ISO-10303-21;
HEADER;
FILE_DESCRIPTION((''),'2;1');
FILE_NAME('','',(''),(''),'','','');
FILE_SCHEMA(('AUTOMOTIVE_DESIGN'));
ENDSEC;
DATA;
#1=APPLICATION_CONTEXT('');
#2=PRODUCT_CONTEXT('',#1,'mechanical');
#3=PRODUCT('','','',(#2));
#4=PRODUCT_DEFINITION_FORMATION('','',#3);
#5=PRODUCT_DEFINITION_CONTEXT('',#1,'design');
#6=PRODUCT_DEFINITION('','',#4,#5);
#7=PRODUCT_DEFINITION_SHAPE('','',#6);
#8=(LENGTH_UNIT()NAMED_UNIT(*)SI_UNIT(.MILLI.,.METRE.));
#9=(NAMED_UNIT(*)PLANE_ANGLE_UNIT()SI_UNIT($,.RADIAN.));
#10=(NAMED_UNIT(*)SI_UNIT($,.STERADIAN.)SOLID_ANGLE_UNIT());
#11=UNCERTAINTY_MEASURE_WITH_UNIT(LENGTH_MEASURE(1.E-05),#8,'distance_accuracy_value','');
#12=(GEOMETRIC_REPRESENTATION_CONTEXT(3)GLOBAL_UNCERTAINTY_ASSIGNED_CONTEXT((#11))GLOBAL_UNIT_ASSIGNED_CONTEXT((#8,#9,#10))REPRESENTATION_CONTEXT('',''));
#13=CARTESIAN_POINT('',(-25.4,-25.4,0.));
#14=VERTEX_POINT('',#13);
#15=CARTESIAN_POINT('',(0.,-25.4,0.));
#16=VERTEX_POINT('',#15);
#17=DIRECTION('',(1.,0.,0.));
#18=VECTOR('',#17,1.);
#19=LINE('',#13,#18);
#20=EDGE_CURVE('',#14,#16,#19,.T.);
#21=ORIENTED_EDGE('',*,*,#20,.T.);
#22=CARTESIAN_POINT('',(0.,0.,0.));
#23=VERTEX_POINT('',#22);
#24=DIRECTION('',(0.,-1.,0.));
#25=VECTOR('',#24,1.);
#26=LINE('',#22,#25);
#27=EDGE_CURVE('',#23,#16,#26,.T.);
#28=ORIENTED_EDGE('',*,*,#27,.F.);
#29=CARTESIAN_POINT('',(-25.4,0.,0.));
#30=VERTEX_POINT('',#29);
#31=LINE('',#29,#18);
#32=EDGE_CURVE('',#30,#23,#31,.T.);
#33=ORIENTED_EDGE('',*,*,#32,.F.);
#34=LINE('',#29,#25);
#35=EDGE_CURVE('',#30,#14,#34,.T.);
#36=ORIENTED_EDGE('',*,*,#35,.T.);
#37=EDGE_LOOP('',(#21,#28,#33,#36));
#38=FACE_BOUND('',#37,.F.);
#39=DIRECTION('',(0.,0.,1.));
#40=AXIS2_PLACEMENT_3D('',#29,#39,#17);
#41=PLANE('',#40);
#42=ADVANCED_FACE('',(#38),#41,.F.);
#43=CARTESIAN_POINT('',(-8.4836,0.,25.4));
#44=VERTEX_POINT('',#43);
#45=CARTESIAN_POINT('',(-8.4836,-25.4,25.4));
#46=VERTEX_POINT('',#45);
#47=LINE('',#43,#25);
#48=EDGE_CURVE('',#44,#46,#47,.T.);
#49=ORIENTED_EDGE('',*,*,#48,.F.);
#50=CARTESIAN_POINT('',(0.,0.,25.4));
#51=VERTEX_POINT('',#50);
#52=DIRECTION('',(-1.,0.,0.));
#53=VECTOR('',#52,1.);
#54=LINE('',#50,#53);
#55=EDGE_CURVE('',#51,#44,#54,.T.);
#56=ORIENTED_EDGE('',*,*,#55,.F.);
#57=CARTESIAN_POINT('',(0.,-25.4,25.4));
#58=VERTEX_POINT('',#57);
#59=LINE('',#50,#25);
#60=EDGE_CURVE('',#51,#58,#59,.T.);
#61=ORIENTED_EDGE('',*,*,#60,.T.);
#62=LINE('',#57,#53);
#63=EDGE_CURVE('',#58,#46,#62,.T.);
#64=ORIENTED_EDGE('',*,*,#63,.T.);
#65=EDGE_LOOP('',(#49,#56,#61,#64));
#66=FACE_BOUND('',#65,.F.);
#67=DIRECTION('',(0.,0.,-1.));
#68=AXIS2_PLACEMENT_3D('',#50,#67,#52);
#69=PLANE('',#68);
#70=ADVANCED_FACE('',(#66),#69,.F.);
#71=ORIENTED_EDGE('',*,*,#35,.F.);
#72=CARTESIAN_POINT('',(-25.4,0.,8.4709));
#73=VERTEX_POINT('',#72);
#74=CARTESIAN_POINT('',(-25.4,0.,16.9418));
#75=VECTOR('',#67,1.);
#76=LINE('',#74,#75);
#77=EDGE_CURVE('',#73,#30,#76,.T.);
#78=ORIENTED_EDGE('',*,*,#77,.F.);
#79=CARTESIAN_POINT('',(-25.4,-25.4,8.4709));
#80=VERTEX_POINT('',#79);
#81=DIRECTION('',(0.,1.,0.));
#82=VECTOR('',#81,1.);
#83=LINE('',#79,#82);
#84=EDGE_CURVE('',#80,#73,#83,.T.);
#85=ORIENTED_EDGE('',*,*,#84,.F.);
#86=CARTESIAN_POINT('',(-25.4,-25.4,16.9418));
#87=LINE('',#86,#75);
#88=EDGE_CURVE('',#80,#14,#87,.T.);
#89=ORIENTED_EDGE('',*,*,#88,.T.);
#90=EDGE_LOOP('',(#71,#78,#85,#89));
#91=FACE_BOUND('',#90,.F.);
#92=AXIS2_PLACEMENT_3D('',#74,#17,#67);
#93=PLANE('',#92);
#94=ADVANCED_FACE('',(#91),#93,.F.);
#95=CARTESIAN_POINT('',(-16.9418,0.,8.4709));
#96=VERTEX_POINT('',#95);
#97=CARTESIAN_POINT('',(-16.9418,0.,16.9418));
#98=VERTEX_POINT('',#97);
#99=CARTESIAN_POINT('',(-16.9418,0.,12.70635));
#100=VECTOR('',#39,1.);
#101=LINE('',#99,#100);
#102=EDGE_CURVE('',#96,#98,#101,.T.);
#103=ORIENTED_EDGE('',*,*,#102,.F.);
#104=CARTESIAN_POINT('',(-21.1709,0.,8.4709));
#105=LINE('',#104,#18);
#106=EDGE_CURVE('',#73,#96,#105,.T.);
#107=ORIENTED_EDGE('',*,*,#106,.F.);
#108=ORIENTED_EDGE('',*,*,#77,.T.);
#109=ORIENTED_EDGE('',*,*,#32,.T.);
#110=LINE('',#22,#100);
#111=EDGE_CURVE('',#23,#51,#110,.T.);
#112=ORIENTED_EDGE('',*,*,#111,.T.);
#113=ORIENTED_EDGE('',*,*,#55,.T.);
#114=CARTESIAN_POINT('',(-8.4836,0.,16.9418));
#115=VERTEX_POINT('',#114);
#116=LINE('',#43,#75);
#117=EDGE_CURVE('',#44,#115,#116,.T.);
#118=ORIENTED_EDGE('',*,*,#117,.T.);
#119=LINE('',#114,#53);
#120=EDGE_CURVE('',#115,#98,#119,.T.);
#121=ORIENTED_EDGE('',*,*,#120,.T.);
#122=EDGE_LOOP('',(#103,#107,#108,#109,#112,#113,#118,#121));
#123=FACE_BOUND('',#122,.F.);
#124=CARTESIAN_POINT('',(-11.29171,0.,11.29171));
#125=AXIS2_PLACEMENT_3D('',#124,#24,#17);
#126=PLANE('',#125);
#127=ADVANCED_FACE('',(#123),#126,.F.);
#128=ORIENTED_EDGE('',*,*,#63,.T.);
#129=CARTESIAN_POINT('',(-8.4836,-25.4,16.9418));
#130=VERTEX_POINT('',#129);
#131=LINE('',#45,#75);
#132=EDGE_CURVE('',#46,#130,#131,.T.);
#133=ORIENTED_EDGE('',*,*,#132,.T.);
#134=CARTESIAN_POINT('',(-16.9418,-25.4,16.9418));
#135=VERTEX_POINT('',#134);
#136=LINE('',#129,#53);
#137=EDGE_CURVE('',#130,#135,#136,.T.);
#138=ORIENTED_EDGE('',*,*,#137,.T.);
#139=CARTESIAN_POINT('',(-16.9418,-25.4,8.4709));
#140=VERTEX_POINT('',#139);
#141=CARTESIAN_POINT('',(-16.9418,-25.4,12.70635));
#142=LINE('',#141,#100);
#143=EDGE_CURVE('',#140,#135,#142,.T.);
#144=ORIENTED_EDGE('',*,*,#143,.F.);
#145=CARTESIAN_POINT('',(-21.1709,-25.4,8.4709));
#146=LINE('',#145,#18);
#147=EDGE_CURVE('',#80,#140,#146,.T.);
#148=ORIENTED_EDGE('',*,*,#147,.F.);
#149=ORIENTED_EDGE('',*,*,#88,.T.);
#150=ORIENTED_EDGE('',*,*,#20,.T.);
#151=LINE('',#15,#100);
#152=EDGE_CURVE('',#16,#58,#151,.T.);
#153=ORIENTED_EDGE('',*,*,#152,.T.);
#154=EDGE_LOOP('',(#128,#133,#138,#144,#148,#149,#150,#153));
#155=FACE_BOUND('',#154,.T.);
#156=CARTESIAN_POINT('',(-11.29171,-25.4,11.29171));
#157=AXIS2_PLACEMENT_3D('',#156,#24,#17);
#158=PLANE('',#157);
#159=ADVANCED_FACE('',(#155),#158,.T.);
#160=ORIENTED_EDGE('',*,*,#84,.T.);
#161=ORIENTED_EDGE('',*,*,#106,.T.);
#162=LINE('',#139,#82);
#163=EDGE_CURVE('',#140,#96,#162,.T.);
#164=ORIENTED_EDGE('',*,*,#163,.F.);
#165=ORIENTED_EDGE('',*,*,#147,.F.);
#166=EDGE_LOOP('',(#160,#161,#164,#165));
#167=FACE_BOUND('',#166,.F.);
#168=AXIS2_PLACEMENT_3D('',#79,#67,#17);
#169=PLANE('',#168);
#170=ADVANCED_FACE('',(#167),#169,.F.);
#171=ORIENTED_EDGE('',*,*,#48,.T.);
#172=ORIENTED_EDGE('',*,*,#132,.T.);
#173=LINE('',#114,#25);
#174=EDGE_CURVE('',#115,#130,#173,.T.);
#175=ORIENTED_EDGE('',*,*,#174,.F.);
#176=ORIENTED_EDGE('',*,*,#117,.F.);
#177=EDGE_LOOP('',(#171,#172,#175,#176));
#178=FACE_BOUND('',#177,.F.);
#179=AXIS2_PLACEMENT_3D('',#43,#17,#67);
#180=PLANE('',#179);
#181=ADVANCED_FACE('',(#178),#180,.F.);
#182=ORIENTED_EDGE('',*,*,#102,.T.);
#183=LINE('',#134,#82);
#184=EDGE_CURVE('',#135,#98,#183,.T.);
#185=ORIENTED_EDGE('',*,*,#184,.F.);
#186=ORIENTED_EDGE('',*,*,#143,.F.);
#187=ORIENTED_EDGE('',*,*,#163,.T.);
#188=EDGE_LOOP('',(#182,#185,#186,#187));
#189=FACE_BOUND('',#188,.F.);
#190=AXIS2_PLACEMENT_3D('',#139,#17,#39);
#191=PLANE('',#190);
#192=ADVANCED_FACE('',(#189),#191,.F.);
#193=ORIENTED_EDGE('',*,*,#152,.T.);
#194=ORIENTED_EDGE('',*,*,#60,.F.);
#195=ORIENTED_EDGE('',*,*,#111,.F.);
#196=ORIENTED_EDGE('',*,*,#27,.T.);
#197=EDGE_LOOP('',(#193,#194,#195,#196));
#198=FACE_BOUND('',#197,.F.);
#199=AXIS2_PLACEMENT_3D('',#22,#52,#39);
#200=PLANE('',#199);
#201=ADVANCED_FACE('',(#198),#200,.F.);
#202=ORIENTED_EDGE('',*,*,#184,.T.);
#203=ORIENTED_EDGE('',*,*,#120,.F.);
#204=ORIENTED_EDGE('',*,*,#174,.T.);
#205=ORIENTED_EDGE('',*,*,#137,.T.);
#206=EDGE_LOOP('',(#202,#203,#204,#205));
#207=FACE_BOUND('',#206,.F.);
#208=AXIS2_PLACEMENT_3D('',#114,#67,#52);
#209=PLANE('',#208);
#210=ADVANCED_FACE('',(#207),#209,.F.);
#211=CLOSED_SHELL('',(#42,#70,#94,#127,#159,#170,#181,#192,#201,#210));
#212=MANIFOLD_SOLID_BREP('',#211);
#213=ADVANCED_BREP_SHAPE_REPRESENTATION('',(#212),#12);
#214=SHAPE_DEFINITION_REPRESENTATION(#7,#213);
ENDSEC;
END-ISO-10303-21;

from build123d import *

# Parameters (mm, degrees)
F1_DEPTH = 25.4
F2_W     = 8.4582
F2_H     = 8.4709
F3_DEPTH = 25.4


with BuildPart() as f1:
    # F0 (on Front) → F1 (new body)
    with BuildSketch(Plane.XZ):
        Polygon((-25.4, 0), (0, 0), (0, 25.4), (-8.4836, 25.4), (-8.4836, 16.9418), (-25.4, 16.9418), align=None)
    extrude(amount=F1_DEPTH)

    # F2 (on face) → F3 (cut)
    with BuildSketch(Plane.XZ.offset(25.4)):
        with Locations((-21.1709, 12.70635)):
            Rectangle(F2_W, F2_H)
    extrude(amount=-F3_DEPTH, mode=Mode.SUBTRACT)


solid = f1.part
